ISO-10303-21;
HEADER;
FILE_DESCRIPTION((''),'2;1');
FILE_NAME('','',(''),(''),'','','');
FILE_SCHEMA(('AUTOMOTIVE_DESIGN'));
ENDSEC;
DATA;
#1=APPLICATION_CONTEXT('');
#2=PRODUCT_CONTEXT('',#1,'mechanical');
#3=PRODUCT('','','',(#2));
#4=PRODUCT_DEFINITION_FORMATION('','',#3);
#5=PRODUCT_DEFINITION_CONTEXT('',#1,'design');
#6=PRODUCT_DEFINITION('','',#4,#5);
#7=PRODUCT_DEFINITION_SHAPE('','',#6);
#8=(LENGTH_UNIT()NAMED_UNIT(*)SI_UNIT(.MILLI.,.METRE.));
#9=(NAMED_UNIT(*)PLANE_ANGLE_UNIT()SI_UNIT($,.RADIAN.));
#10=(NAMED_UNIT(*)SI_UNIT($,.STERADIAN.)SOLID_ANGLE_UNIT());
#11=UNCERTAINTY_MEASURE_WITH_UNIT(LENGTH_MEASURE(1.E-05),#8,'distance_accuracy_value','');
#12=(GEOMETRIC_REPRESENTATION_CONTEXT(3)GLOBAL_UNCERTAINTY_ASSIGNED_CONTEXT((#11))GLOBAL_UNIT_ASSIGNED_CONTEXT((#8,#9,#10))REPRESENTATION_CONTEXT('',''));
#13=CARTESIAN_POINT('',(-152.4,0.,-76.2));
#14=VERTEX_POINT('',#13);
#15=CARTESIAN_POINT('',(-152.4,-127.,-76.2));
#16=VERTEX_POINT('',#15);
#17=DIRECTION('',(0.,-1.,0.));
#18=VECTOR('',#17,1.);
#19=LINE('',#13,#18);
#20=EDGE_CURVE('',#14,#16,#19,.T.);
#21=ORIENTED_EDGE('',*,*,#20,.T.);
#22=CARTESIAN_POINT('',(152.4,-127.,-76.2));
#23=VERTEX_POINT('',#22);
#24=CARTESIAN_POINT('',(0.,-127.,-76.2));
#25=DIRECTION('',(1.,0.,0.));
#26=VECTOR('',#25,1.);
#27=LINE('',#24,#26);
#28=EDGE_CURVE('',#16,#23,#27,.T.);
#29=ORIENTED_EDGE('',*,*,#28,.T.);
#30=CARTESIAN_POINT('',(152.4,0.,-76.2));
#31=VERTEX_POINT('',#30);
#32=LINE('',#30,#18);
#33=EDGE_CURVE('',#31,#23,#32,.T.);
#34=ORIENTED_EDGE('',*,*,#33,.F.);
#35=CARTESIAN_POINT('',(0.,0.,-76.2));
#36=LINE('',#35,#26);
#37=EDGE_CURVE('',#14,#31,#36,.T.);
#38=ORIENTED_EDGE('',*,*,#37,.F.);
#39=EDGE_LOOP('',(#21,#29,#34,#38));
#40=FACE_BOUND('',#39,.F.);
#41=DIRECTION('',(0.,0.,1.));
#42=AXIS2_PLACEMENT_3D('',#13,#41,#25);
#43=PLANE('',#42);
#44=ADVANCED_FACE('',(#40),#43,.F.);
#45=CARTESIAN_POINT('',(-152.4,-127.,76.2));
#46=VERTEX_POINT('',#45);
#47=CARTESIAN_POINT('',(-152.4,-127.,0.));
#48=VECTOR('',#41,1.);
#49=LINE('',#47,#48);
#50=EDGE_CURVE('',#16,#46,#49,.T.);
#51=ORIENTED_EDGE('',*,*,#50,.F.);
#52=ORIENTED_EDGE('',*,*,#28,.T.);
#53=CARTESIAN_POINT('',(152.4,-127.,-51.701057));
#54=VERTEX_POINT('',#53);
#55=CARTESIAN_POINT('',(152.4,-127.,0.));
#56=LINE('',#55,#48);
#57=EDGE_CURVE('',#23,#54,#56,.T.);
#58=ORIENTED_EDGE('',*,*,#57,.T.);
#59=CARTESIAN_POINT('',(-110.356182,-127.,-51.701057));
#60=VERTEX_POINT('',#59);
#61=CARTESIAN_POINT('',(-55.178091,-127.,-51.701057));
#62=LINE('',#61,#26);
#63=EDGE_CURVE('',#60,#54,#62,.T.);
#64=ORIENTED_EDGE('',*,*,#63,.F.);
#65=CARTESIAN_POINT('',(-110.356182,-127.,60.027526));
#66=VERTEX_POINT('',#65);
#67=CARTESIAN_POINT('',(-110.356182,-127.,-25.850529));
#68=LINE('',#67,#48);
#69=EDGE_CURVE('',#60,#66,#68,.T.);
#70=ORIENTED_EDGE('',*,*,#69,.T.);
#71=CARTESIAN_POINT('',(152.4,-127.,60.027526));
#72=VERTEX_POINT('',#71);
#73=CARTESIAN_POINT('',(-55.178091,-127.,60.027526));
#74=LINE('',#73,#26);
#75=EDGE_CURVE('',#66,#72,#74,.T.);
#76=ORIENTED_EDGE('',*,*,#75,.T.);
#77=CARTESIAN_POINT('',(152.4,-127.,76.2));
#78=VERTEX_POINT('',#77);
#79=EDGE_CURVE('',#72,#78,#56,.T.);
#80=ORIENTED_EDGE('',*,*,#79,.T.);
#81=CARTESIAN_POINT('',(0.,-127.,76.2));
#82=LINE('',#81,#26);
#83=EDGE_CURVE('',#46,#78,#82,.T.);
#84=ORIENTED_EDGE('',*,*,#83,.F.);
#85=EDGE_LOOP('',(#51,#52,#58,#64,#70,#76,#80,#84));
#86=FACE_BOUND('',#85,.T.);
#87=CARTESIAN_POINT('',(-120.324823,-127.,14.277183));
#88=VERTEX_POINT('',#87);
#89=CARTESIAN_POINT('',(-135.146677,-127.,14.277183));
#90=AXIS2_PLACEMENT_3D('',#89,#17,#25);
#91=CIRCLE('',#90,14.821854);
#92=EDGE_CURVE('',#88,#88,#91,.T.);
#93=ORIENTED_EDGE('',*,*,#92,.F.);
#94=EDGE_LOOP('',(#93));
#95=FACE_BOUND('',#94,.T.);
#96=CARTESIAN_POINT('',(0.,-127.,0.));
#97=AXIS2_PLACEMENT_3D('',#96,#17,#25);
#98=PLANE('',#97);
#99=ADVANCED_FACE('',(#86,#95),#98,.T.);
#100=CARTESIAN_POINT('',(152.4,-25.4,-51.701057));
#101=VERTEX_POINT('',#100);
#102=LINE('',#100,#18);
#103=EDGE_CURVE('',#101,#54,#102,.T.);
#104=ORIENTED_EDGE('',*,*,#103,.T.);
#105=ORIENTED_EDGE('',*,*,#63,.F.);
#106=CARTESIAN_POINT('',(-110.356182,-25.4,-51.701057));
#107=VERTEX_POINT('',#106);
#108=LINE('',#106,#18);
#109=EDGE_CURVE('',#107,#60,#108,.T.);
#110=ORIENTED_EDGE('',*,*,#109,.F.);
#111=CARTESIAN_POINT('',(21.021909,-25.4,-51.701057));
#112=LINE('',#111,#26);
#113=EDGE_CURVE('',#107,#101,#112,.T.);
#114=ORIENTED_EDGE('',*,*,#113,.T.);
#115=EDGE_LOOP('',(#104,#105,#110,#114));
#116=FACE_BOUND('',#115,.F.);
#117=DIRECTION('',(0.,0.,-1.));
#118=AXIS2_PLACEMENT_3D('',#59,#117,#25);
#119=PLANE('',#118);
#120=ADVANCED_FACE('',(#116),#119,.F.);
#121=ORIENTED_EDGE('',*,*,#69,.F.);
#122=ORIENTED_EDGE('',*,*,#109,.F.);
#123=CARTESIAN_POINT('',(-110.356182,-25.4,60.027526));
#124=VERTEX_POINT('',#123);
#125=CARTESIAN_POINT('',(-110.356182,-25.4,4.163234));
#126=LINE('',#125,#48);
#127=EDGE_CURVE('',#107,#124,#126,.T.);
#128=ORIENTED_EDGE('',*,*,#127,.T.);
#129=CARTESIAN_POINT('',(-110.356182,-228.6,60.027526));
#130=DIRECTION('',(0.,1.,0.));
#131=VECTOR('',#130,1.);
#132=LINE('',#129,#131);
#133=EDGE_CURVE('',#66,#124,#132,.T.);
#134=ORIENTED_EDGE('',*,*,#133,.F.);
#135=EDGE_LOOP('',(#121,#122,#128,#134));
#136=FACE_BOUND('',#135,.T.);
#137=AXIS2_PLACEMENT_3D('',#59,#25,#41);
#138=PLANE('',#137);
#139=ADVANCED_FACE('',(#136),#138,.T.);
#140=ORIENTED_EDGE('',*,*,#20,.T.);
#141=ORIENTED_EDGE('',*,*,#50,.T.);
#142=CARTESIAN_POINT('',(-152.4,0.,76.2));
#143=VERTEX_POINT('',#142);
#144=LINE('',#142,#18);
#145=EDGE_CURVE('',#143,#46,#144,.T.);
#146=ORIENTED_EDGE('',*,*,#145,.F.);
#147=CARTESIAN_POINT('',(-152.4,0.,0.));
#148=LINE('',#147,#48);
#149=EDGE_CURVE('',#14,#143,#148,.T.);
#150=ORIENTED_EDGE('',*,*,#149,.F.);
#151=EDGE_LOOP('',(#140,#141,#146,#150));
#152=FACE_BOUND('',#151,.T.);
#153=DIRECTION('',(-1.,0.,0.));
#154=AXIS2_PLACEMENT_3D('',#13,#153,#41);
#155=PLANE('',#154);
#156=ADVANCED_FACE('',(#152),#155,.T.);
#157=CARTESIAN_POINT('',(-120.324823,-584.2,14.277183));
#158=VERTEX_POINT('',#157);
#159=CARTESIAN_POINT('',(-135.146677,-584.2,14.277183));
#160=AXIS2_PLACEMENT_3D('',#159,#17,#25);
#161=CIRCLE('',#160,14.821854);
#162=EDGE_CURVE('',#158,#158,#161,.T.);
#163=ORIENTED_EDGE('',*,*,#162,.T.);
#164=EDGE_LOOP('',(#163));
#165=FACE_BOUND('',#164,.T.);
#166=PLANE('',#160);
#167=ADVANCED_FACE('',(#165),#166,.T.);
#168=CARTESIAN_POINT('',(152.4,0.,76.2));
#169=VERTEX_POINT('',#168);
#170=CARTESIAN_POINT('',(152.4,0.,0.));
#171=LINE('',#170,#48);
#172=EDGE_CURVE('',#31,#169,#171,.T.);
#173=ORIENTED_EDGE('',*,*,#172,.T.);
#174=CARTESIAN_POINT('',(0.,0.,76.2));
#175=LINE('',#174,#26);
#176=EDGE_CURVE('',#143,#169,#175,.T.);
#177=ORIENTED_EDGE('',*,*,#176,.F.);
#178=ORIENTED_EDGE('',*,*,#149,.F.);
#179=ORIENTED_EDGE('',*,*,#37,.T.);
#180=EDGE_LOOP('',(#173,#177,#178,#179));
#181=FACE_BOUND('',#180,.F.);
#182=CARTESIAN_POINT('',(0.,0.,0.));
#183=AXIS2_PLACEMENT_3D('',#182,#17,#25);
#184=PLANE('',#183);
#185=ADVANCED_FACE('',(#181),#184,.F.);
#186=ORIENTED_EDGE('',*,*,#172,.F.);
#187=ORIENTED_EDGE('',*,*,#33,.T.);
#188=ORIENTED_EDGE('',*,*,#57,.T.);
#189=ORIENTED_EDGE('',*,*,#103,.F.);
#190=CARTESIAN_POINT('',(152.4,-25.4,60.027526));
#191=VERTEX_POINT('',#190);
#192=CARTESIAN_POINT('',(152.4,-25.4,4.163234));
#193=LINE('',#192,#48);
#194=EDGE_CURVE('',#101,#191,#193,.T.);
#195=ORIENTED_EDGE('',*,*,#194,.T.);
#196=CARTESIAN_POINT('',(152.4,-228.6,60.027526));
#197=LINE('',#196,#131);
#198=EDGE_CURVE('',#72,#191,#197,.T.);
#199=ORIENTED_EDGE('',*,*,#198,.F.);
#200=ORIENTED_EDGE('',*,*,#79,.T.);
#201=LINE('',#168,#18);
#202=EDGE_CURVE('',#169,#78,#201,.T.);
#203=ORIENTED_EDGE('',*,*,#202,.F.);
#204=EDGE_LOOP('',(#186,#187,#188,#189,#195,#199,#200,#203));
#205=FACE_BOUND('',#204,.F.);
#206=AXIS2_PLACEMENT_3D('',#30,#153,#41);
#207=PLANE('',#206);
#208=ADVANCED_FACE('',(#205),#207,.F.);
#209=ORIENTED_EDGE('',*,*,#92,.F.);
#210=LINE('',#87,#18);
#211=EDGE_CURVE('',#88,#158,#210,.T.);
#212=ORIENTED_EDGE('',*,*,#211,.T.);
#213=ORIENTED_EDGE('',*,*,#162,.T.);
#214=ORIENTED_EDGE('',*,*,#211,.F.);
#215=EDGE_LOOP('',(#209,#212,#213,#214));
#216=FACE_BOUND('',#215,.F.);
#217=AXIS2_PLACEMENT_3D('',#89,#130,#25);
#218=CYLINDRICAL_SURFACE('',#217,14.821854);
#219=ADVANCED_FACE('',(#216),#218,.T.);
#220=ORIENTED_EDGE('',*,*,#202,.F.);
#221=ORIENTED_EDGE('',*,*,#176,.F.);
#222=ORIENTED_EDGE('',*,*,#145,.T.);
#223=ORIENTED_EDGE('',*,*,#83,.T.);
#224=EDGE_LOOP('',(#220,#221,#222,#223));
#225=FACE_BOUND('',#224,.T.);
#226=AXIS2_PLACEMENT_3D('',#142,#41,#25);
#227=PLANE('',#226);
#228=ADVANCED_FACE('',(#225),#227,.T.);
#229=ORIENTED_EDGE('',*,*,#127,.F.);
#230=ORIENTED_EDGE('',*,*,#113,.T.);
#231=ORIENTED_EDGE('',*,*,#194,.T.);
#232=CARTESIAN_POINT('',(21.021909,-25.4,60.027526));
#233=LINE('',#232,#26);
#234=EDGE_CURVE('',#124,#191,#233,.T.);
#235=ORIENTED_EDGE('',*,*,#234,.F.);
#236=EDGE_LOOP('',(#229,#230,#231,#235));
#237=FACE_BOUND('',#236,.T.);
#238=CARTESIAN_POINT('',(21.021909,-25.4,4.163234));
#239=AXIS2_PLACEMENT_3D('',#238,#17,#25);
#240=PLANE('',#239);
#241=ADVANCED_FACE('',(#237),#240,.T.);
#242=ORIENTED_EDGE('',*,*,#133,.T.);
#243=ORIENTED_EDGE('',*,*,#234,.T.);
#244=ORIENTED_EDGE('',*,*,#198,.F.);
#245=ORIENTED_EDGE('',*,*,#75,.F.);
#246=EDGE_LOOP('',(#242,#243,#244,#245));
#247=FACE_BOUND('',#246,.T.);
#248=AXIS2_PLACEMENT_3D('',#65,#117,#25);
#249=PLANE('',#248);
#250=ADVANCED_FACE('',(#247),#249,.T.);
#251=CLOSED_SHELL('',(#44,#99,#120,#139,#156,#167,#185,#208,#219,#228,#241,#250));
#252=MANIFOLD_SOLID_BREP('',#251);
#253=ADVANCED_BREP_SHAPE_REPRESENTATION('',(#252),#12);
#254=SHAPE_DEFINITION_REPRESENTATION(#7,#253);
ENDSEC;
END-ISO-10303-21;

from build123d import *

# Parameters (mm, degrees)
F0_W     = 304.8
F0_H     = 152.4
F1_DEPTH = 127
F2_W     = 262.756182
F2_H     = 111.728583
F3_DEPTH = 101.6
F4_R     = 14.821854
F5_DEPTH = 457.2


with BuildPart() as f1:
    # F0 (on Front) → F1 (new body)
    with BuildSketch(Plane.XZ):
        Rectangle(F0_W, F0_H)
    extrude(amount=F1_DEPTH)

    # F2 (on face) → F3 (cut, symmetric)
    with BuildSketch(Plane.XZ.offset(127)):
        with Locations((21.021909, 4.163234)):
            Rectangle(F2_W, F2_H)
    extrude(amount=F3_DEPTH, both=True, mode=Mode.SUBTRACT)

    # F4 (on face) → F5 (join)
    with BuildSketch(Plane.XZ.offset(127)):
        with Locations((-135.146677, 14.277183)):
            Circle(F4_R)
    extrude(amount=F5_DEPTH)


solid = f1.part
